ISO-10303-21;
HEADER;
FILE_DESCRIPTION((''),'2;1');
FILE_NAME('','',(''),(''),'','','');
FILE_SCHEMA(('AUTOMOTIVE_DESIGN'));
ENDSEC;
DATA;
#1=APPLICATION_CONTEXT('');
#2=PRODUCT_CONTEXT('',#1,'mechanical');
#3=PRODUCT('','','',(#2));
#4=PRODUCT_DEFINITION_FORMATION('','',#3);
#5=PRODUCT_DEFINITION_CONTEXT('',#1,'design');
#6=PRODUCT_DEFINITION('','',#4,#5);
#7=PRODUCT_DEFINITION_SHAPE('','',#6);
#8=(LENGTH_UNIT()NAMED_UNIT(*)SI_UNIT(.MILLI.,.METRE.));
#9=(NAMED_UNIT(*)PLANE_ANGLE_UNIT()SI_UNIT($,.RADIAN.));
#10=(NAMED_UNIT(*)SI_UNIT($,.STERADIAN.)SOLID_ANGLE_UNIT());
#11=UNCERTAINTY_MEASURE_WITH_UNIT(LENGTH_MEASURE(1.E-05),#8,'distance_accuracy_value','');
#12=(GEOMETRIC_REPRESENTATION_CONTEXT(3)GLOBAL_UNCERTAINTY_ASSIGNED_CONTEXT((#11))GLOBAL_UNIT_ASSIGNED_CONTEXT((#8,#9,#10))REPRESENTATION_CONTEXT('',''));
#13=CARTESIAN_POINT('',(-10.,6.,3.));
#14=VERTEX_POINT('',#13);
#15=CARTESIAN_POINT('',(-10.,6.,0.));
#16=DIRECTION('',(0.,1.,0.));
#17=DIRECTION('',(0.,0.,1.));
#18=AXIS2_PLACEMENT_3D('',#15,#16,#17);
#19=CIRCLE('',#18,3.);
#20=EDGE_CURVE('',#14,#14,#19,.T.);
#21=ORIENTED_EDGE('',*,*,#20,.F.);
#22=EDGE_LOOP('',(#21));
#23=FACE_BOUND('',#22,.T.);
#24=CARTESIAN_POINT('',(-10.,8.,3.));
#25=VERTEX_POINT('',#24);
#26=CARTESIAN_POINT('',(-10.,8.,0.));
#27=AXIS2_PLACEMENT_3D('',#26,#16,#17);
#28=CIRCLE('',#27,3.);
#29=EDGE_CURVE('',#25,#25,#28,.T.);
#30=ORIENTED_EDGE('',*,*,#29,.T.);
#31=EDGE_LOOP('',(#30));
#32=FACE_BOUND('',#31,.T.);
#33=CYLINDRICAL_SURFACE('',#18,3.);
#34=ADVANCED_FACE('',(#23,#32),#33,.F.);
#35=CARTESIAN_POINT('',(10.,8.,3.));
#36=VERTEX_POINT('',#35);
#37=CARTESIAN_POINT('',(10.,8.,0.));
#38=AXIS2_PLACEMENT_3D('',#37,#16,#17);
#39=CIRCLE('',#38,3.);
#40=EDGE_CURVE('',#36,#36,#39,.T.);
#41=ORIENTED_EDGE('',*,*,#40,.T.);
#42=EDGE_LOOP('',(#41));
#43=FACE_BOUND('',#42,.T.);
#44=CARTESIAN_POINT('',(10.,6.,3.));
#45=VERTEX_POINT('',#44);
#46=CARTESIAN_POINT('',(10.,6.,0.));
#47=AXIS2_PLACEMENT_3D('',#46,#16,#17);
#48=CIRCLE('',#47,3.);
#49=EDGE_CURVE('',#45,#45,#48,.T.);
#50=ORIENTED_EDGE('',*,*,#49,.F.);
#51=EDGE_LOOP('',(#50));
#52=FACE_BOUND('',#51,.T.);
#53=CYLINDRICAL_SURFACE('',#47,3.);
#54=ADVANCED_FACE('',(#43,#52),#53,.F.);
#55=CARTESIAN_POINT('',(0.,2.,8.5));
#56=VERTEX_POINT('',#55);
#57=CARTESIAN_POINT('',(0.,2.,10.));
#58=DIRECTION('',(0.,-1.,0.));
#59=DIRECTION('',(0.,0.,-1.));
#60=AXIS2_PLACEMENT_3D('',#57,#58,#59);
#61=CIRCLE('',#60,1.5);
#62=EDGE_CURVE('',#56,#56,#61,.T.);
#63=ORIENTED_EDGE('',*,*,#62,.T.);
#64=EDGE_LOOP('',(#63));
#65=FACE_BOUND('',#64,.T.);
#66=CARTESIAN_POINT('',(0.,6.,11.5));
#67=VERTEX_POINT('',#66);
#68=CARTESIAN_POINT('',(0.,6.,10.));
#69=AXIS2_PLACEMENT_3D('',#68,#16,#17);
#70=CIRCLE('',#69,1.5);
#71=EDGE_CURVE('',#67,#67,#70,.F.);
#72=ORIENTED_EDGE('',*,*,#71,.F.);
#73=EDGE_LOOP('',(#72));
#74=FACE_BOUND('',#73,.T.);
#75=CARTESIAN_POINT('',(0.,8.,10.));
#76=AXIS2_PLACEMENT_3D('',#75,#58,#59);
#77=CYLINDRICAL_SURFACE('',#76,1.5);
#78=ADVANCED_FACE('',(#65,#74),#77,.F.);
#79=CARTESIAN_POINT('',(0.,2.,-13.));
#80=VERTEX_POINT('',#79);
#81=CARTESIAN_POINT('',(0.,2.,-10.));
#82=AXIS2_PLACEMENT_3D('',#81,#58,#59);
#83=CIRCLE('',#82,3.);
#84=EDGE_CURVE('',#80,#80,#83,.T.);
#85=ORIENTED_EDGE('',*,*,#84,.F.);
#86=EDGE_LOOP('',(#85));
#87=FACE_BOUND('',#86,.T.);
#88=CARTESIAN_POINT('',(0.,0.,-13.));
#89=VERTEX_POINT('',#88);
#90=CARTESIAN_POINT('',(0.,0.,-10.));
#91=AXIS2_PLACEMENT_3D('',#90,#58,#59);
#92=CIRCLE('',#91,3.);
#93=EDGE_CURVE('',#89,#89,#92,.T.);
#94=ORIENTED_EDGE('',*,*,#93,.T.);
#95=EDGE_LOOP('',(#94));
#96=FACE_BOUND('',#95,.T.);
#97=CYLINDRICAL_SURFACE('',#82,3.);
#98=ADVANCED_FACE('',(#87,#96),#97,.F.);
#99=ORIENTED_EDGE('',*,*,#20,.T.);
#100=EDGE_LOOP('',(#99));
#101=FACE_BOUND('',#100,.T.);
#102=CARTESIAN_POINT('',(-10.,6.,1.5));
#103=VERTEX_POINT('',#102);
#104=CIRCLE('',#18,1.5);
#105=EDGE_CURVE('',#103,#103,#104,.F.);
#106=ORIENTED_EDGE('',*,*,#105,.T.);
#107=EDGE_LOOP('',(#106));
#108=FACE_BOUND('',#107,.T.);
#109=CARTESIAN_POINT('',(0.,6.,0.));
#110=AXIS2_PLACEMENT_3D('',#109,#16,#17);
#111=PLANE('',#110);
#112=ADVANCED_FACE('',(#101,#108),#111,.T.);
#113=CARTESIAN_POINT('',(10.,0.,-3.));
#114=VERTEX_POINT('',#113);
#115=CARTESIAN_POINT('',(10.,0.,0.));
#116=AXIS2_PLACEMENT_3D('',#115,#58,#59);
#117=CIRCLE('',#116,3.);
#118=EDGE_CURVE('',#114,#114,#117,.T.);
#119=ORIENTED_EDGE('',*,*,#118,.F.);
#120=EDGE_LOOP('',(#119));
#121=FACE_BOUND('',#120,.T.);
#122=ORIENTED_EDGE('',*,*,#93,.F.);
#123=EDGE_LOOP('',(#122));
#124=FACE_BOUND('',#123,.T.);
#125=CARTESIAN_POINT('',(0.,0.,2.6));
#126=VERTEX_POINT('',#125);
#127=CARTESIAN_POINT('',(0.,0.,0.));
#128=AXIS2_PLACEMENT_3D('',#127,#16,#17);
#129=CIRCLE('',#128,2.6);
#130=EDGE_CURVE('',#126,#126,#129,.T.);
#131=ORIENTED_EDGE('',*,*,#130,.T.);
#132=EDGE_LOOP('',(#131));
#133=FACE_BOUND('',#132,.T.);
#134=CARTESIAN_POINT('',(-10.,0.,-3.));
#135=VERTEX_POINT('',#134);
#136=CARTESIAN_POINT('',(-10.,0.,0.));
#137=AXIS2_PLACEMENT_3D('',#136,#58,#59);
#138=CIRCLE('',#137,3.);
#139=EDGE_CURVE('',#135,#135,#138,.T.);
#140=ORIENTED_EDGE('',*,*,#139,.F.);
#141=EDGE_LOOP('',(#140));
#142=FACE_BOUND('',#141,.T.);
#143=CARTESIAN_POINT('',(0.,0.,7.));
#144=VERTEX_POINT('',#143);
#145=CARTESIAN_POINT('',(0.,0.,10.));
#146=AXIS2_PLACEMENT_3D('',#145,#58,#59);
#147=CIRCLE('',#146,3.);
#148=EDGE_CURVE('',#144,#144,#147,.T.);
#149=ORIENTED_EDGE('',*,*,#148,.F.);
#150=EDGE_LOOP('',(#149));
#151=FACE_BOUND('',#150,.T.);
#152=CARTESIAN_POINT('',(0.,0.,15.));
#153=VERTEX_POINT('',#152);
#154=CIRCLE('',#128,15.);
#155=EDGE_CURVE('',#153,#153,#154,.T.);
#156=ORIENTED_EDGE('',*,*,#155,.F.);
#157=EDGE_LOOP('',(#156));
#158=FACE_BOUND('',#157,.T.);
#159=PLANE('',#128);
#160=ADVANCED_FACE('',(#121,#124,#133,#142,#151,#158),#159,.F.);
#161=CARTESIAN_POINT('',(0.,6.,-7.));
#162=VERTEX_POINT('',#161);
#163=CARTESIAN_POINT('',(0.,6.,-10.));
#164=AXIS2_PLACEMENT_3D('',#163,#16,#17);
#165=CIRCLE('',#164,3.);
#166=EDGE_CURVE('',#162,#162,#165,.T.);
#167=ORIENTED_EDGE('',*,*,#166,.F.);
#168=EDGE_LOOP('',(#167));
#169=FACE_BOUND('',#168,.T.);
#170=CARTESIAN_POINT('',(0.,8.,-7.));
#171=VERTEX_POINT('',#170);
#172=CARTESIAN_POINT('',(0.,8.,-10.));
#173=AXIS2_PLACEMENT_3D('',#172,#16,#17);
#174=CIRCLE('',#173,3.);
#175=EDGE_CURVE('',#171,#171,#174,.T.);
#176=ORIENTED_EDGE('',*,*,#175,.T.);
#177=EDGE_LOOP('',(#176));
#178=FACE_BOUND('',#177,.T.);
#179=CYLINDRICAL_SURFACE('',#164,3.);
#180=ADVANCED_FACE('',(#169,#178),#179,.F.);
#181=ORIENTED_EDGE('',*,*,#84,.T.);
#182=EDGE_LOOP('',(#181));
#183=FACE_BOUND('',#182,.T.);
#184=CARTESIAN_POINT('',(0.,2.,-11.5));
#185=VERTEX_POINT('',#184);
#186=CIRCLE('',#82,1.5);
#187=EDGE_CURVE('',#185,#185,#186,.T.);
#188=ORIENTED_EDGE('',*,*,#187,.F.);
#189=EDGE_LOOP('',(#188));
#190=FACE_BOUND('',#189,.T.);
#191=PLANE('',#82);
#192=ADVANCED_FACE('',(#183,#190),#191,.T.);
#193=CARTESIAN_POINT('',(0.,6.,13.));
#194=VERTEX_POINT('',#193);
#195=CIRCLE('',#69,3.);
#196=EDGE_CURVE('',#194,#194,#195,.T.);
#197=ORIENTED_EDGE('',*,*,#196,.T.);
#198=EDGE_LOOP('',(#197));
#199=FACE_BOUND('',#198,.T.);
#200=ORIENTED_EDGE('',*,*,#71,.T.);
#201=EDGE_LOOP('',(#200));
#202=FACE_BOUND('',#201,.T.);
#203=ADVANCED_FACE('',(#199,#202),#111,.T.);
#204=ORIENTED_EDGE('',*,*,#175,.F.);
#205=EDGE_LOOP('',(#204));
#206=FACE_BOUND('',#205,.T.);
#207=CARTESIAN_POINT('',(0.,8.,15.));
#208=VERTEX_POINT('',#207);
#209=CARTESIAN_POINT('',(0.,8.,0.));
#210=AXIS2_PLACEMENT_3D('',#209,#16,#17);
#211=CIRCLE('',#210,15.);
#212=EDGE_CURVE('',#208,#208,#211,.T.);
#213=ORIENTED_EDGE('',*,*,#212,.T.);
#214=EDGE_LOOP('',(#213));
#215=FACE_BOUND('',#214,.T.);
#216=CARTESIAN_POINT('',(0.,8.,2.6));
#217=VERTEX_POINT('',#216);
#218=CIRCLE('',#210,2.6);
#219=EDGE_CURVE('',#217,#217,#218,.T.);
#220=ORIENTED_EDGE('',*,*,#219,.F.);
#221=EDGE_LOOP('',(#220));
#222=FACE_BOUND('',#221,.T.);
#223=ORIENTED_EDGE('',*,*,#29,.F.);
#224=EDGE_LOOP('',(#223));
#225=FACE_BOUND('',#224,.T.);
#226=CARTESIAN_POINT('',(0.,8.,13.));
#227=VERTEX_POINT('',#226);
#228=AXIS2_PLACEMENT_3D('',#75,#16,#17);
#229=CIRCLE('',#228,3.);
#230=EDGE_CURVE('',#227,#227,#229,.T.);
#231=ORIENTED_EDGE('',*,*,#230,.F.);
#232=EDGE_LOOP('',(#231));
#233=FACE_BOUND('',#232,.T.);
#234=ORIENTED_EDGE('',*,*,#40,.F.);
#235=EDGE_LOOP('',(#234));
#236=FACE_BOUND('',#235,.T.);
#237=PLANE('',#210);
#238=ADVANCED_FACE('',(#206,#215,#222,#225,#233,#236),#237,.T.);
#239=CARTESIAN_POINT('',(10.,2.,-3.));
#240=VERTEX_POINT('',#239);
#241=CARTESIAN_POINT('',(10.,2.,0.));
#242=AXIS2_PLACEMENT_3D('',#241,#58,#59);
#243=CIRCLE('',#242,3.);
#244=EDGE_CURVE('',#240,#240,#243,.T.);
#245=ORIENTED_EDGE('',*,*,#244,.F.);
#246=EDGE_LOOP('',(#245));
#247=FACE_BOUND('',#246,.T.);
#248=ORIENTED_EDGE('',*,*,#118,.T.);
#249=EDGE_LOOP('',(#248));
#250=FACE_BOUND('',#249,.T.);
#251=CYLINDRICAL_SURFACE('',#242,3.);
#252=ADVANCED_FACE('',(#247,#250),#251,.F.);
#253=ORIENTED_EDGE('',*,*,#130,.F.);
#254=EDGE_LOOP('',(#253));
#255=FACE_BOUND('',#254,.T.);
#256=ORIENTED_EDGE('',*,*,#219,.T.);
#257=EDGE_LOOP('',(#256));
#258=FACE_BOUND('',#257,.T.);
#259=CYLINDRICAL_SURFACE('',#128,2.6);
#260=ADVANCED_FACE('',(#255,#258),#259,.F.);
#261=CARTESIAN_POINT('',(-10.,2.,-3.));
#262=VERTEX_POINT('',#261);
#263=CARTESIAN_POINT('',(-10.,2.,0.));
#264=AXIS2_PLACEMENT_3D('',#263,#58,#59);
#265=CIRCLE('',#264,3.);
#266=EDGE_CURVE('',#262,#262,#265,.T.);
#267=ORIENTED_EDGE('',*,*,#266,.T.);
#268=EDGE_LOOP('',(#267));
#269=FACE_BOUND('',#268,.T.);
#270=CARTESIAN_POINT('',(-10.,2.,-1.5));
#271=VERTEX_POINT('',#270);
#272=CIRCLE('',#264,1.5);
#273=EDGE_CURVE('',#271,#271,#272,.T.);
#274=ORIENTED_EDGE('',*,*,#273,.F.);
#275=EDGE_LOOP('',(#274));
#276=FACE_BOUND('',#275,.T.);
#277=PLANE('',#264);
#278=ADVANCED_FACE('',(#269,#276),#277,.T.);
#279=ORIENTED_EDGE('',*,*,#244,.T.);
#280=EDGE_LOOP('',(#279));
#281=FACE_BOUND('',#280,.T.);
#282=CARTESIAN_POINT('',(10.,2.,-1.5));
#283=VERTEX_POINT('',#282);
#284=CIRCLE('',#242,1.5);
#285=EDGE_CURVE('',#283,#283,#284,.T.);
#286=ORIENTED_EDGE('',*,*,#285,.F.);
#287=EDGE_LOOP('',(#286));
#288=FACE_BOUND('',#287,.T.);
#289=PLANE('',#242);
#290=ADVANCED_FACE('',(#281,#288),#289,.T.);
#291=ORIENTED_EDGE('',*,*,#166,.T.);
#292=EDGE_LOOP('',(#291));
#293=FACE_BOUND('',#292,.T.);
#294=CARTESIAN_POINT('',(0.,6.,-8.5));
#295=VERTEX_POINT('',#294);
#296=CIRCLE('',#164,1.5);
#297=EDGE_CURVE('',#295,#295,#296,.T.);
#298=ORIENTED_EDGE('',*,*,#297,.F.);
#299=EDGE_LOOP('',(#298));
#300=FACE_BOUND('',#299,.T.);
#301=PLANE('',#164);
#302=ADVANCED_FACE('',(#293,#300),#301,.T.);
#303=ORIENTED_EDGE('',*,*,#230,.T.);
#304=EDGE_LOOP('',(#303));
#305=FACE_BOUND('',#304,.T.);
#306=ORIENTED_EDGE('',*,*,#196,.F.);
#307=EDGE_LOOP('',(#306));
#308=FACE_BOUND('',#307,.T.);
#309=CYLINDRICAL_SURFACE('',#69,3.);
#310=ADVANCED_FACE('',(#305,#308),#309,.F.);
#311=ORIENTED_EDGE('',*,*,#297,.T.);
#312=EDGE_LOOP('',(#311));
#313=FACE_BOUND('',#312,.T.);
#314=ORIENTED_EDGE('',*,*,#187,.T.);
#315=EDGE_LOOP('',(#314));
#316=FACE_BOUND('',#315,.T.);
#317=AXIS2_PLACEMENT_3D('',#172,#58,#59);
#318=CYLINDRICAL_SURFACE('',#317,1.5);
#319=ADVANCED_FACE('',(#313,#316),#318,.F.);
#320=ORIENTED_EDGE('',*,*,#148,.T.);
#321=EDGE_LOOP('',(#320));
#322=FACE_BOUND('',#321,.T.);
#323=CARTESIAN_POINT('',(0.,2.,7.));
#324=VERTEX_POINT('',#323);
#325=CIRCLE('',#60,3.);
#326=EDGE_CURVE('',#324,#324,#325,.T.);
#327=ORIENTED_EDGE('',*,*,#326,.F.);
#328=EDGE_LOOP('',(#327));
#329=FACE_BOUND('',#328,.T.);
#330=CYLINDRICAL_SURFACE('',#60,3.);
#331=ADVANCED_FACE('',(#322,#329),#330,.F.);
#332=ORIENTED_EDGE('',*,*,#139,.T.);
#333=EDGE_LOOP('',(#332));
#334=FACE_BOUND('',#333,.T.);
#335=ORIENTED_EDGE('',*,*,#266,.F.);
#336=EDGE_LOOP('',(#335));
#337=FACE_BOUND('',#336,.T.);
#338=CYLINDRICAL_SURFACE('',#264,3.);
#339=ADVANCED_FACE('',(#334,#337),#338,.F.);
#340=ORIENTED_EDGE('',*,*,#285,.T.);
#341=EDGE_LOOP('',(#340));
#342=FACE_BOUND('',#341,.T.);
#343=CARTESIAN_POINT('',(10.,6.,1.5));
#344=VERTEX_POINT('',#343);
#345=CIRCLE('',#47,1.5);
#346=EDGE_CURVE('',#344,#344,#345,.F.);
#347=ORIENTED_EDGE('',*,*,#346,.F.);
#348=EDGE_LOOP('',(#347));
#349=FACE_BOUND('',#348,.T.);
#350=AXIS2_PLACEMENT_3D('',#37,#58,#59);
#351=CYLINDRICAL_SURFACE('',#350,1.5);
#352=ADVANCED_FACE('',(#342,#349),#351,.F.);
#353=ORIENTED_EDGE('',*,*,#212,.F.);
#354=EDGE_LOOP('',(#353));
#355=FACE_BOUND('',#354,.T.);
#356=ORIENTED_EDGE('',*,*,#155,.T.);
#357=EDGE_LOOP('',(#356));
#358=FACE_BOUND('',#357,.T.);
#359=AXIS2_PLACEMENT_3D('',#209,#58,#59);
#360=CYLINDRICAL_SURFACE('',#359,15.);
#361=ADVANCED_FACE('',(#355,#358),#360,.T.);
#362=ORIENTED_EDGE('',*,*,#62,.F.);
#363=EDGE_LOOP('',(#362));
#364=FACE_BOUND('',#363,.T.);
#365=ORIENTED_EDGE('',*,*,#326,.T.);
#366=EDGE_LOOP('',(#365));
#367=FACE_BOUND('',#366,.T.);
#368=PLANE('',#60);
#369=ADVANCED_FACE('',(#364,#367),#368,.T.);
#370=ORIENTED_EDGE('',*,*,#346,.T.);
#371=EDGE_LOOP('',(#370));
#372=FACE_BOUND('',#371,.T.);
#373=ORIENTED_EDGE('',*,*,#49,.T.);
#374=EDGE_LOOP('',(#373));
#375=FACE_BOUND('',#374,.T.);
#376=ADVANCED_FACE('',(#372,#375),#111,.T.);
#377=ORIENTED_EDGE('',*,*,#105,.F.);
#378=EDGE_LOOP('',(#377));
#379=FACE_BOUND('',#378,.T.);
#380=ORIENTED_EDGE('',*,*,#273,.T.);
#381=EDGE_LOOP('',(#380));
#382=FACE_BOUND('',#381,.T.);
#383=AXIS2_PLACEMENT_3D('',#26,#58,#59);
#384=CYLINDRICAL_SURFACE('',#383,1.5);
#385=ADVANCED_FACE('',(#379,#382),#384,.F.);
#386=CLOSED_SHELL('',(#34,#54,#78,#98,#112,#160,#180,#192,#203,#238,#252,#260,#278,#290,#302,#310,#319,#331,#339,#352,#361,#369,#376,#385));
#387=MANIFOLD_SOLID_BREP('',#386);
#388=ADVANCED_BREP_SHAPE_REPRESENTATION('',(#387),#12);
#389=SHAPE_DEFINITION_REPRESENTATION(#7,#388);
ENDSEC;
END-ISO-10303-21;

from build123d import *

# Parameters (mm, degrees)
SKETCH1_R           = 15
SKETCH1_R_2         = 1.5
BOSS_EXTRUDE1_DEPTH = 8
SKETCH2_R           = 2.6
CUT_EXTRUDE1_DEPTH  = 23.671568098
CUT_EXTRUDE2_START  = -2
SKETCH3_R           = 3
SKETCH3_R_2         = 1.5
CUT_EXTRUDE2_DEPTH  = 2
SKETCH4_R           = 3
CUT_EXTRUDE3_DEPTH  = 2


with BuildPart() as part:
    # Sketch1 → Boss-Extrude1 (new body)
    with BuildSketch(Plane(origin=(0, 0, 0), x_dir=(1, 0, 0), z_dir=(0, 1, 0))):
        with Locations(Location((0, 0, 0), (0, 0, 270))):
            Circle(SKETCH1_R)
        with Locations(Location((0, 10, 0), (0, 0, 270))):
            Circle(SKETCH1_R_2, mode=Mode.SUBTRACT)
        with Locations(Location((10, 0, 0), (0, 0, 270))):
            Circle(SKETCH1_R_2, mode=Mode.SUBTRACT)
        with Locations(Location((0, -10, 0), (0, 0, 270))):
            Circle(SKETCH1_R_2, mode=Mode.SUBTRACT)
        with Locations(Location((-10, 0, 0), (0, 0, 270))):
            Circle(SKETCH1_R_2, mode=Mode.SUBTRACT)
    extrude(amount=BOSS_EXTRUDE1_DEPTH)

    # Sketch2 → Cut-Extrude1 (cut, through all)
    with BuildSketch(Plane(origin=(0, 8, 0), x_dir=(1, 0, 0), z_dir=(0, 1, 0))):
        with Locations(Location((0, 0, 0), (0, 0, 270))):
            Circle(SKETCH2_R)
    extrude(amount=-CUT_EXTRUDE1_DEPTH, mode=Mode.SUBTRACT)

    # Sketch3 → Cut-Extrude2 (cut)
    # profile 1 of 4: a face of its own
    with BuildSketch(Plane(origin=(0, 8, 0), x_dir=(1, 0, 0), z_dir=(0, 1, 0)).offset(CUT_EXTRUDE2_START)):
        with Locations(Location((-10, 0, 0), (0, 0, 270))):
            Circle(SKETCH3_R)
        with Locations(Location((-10, 0, 0), (0, 0, 270))):
            Circle(SKETCH3_R_2, mode=Mode.SUBTRACT)
    # profile 2 of 4: a face of its own
    with BuildSketch(Plane(origin=(0, 8, 0), x_dir=(1, 0, 0), z_dir=(0, 1, 0)).offset(CUT_EXTRUDE2_START)):
        with Locations(Location((0, -10, 0), (0, 0, 270))):
            Circle(SKETCH3_R)
        with Locations(Location((0, -10, 0), (0, 0, 270))):
            Circle(SKETCH3_R_2, mode=Mode.SUBTRACT)
    # profile 3 of 4: a face of its own
    with BuildSketch(Plane(origin=(0, 8, 0), x_dir=(1, 0, 0), z_dir=(0, 1, 0)).offset(CUT_EXTRUDE2_START)):
        with Locations(Location((10, 0, 0), (0, 0, 270))):
            Circle(SKETCH3_R)
        with Locations(Location((10, 0, 0), (0, 0, 270))):
            Circle(SKETCH3_R_2, mode=Mode.SUBTRACT)
    # profile 4 of 4: a face of its own
    with BuildSketch(Plane(origin=(0, 8, 0), x_dir=(1, 0, 0), z_dir=(0, 1, 0)).offset(CUT_EXTRUDE2_START)):
        with Locations(Location((0, 10, 0), (0, 0, 270))):
            Circle(SKETCH3_R)
    extrude(amount=CUT_EXTRUDE2_DEPTH, mode=Mode.SUBTRACT)

    # Sketch4 → Cut-Extrude3 (cut)
    with BuildSketch(Plane.XZ):
        with Locations(Location((0, 10, 0), (0, 0, 90))):
            Circle(SKETCH4_R)
        with Locations(Location((10, 0, 0), (0, 0, 90))):
            Circle(SKETCH4_R)
        with Locations(Location((0, -10, 0), (0, 0, 90))):
            Circle(SKETCH4_R)
        with Locations(Location((-10, 0, 0), (0, 0, 90))):
            Circle(SKETCH4_R)
    extrude(amount=-CUT_EXTRUDE3_DEPTH, mode=Mode.SUBTRACT)


solid = part.part
